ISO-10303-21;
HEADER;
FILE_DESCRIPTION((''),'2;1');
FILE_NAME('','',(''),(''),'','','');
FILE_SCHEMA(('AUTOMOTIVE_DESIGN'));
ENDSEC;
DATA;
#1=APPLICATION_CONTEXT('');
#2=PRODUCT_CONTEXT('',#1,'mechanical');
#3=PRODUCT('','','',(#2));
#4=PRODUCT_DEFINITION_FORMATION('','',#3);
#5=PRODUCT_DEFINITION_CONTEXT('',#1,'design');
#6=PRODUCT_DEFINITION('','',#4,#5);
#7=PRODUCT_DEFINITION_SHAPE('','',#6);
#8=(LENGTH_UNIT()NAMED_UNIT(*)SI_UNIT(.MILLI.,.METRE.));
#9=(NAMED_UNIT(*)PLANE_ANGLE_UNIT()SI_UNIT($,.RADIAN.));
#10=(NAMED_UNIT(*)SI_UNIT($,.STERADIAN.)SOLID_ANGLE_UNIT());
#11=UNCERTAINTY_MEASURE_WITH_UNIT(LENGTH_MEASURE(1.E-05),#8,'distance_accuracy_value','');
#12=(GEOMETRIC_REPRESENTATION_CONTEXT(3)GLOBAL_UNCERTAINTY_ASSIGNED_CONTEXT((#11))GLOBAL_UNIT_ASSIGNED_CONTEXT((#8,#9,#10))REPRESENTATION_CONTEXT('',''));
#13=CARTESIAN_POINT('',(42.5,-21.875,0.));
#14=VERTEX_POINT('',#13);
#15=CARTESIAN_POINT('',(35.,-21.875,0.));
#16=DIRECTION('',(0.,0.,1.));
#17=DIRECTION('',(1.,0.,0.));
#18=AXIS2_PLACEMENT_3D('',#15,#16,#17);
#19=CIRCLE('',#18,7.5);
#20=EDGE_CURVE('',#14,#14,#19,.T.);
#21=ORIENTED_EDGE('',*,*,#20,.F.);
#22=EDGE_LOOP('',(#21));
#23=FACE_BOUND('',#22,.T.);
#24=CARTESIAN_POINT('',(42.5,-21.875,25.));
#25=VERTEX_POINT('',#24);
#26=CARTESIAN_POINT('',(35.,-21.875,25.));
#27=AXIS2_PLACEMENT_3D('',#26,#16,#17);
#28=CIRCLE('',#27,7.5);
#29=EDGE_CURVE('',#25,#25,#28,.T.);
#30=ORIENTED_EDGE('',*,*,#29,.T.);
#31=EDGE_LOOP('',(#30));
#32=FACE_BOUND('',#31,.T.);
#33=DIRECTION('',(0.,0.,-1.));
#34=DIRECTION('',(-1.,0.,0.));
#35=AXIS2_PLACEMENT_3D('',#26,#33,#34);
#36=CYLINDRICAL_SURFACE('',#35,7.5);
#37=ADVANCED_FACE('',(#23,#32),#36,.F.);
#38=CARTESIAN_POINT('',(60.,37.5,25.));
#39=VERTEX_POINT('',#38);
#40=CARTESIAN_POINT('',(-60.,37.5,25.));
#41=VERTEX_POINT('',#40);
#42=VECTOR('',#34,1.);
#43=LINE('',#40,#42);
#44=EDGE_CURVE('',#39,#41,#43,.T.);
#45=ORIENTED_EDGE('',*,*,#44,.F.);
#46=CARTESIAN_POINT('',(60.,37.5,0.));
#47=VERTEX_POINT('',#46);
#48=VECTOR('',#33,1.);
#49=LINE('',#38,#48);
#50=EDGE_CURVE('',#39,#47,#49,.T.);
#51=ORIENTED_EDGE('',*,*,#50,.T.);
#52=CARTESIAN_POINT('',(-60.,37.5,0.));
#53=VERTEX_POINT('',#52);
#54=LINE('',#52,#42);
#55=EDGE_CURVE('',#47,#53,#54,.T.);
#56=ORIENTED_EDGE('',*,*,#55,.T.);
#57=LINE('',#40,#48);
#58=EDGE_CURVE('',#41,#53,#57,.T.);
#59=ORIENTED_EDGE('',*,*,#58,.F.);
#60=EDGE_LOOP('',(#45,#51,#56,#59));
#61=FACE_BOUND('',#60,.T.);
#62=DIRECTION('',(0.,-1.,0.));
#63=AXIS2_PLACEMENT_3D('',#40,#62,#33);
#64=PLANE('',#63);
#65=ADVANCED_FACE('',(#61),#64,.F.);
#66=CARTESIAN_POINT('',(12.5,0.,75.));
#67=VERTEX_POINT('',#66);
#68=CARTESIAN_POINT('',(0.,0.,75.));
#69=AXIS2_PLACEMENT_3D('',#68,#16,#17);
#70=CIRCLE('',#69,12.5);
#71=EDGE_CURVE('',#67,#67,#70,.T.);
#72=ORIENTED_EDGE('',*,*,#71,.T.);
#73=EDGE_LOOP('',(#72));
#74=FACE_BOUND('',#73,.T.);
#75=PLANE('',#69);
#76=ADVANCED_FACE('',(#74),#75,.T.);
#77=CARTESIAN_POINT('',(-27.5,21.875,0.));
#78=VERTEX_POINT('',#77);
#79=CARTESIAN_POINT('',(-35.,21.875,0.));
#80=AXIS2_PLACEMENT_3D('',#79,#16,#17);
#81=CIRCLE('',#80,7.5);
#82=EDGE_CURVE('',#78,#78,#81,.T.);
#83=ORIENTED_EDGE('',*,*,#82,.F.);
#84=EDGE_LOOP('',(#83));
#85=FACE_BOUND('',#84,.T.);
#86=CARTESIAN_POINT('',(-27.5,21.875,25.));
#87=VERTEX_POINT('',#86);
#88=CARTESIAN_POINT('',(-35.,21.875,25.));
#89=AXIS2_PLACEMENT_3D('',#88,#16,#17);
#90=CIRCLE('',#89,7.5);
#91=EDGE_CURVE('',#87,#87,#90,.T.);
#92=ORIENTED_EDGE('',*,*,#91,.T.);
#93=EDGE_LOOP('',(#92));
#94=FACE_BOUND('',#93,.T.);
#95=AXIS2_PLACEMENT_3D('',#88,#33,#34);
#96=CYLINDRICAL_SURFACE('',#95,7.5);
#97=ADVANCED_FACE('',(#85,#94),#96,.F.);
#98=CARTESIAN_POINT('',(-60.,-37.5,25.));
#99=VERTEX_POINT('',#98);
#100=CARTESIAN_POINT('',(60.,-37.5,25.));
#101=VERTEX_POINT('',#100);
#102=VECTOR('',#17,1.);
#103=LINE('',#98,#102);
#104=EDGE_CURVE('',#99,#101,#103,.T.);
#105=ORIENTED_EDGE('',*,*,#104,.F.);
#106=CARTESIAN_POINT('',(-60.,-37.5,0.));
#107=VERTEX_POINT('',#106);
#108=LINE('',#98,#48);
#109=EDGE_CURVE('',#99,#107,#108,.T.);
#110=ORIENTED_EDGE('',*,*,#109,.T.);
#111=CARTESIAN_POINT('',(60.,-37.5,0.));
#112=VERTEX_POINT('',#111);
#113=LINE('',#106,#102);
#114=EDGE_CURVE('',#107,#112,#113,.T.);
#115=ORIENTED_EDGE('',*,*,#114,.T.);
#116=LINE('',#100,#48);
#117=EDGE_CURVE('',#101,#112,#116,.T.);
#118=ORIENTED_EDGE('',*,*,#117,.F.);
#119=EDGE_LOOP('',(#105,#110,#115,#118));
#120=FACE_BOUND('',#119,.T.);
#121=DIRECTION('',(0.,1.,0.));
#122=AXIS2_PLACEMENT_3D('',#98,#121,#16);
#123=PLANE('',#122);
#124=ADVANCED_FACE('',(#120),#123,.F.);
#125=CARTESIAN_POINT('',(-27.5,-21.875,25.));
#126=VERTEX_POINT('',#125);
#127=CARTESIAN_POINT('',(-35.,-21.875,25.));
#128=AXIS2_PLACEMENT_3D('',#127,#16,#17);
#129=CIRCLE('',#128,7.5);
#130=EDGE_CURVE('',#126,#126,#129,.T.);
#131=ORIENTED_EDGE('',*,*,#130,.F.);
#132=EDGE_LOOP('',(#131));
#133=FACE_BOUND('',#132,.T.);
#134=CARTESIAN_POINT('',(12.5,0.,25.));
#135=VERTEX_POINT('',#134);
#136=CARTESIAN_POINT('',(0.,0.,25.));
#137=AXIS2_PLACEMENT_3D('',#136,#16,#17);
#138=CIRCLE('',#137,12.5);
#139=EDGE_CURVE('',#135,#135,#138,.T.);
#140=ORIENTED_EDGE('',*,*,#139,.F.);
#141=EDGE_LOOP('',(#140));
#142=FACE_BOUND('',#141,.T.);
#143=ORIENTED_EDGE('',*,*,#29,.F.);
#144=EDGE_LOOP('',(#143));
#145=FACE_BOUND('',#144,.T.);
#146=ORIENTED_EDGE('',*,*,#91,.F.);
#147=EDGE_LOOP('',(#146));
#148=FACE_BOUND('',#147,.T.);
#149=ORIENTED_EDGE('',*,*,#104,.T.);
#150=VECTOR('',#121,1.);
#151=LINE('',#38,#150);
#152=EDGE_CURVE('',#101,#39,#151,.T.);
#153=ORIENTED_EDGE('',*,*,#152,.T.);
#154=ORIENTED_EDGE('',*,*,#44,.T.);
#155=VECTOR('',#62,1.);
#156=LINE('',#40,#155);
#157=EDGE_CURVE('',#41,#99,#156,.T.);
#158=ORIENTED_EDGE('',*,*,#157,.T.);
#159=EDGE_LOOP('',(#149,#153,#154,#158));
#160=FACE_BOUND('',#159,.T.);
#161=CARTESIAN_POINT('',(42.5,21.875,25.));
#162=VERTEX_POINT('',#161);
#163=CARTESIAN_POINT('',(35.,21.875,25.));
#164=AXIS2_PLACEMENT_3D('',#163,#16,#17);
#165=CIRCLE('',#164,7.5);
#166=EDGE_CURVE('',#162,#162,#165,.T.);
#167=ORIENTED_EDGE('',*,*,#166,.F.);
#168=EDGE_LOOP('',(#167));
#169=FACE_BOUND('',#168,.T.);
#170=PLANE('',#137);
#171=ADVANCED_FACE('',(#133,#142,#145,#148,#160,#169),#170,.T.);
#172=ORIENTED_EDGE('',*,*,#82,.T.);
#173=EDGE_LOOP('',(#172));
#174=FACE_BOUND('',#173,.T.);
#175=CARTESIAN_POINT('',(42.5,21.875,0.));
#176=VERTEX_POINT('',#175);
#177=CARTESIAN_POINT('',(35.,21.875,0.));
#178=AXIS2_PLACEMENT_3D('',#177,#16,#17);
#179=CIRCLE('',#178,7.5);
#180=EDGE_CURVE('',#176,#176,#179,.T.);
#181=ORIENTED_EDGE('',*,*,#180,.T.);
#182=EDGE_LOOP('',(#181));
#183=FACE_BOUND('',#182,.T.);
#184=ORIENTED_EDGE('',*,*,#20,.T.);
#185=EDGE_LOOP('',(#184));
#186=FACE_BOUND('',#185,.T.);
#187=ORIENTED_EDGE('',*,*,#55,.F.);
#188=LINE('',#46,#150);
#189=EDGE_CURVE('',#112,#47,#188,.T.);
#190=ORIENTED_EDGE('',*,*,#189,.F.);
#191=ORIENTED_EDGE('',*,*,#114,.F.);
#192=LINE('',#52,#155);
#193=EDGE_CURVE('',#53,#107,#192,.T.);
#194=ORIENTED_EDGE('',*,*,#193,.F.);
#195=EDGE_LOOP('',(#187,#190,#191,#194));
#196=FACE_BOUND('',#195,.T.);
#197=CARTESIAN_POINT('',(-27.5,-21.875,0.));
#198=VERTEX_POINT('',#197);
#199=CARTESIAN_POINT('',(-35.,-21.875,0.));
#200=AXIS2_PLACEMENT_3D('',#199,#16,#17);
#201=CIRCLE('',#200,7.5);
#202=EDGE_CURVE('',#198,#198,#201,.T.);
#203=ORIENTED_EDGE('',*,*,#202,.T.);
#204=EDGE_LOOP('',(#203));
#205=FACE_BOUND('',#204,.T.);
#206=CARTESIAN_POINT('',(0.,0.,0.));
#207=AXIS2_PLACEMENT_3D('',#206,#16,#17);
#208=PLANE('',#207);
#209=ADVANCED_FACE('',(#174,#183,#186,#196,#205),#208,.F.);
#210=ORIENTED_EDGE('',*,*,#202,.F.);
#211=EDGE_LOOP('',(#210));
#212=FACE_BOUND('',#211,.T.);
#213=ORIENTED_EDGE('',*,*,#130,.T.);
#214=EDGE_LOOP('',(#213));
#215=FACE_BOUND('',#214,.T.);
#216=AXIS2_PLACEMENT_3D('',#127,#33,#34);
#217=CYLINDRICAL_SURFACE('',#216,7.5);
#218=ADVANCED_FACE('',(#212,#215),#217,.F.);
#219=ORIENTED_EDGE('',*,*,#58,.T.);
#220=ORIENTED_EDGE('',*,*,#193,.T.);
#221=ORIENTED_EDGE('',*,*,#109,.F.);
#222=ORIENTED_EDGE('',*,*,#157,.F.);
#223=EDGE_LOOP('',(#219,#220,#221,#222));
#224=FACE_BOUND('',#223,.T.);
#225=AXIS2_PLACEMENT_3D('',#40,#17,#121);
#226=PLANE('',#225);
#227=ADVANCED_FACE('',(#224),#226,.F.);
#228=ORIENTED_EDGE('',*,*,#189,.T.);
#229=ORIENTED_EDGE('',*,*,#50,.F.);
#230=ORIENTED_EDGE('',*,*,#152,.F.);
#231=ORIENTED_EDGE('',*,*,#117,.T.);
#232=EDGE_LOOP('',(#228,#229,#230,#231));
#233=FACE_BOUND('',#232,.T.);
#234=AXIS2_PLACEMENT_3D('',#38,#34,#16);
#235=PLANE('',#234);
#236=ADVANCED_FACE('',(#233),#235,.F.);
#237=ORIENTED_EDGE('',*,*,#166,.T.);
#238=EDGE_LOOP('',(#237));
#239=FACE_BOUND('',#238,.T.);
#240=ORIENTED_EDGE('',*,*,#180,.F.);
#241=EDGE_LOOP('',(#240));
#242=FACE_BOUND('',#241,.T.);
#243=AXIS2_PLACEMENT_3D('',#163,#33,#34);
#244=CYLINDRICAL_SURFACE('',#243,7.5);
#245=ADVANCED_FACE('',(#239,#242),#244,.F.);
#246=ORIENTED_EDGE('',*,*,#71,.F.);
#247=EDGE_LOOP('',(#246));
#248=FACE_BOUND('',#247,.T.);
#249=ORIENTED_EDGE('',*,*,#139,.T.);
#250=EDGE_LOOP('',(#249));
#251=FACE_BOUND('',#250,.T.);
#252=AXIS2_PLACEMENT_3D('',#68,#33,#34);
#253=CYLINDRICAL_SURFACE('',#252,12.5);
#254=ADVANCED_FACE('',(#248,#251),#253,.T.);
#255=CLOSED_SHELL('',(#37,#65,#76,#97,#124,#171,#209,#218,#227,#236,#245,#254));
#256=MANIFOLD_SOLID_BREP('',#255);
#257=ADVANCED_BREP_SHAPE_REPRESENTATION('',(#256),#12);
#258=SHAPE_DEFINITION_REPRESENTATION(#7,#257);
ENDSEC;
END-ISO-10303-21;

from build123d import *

# Parameters (mm, degrees)
SKETCH1_W           = 120
SKETCH1_H           = 75
SKETCH1_R           = 7.5
BOSS_EXTRUDE1_DEPTH = 25
SKETCH2_R           = 12.5
BOSS_EXTRUDE2_DEPTH = 50


with BuildPart() as part:
    # Sketch1 → Boss-Extrude1 (new body)
    with BuildSketch(Plane.XY):
        Rectangle(SKETCH1_W, SKETCH1_H)
        with Locations((35, 21.875)):
            Circle(SKETCH1_R, mode=Mode.SUBTRACT)
        with Locations((-35, 21.875)):
            Circle(SKETCH1_R, mode=Mode.SUBTRACT)
        with Locations((-35, -21.875)):
            Circle(SKETCH1_R, mode=Mode.SUBTRACT)
        with Locations((35, -21.875)):
            Circle(SKETCH1_R, mode=Mode.SUBTRACT)
    extrude(amount=BOSS_EXTRUDE1_DEPTH)

    # Sketch2 → Boss-Extrude2 (add)
    with BuildSketch(Plane.XY.offset(25)):
        Circle(SKETCH2_R)
    extrude(amount=BOSS_EXTRUDE2_DEPTH)


solid = part.part
